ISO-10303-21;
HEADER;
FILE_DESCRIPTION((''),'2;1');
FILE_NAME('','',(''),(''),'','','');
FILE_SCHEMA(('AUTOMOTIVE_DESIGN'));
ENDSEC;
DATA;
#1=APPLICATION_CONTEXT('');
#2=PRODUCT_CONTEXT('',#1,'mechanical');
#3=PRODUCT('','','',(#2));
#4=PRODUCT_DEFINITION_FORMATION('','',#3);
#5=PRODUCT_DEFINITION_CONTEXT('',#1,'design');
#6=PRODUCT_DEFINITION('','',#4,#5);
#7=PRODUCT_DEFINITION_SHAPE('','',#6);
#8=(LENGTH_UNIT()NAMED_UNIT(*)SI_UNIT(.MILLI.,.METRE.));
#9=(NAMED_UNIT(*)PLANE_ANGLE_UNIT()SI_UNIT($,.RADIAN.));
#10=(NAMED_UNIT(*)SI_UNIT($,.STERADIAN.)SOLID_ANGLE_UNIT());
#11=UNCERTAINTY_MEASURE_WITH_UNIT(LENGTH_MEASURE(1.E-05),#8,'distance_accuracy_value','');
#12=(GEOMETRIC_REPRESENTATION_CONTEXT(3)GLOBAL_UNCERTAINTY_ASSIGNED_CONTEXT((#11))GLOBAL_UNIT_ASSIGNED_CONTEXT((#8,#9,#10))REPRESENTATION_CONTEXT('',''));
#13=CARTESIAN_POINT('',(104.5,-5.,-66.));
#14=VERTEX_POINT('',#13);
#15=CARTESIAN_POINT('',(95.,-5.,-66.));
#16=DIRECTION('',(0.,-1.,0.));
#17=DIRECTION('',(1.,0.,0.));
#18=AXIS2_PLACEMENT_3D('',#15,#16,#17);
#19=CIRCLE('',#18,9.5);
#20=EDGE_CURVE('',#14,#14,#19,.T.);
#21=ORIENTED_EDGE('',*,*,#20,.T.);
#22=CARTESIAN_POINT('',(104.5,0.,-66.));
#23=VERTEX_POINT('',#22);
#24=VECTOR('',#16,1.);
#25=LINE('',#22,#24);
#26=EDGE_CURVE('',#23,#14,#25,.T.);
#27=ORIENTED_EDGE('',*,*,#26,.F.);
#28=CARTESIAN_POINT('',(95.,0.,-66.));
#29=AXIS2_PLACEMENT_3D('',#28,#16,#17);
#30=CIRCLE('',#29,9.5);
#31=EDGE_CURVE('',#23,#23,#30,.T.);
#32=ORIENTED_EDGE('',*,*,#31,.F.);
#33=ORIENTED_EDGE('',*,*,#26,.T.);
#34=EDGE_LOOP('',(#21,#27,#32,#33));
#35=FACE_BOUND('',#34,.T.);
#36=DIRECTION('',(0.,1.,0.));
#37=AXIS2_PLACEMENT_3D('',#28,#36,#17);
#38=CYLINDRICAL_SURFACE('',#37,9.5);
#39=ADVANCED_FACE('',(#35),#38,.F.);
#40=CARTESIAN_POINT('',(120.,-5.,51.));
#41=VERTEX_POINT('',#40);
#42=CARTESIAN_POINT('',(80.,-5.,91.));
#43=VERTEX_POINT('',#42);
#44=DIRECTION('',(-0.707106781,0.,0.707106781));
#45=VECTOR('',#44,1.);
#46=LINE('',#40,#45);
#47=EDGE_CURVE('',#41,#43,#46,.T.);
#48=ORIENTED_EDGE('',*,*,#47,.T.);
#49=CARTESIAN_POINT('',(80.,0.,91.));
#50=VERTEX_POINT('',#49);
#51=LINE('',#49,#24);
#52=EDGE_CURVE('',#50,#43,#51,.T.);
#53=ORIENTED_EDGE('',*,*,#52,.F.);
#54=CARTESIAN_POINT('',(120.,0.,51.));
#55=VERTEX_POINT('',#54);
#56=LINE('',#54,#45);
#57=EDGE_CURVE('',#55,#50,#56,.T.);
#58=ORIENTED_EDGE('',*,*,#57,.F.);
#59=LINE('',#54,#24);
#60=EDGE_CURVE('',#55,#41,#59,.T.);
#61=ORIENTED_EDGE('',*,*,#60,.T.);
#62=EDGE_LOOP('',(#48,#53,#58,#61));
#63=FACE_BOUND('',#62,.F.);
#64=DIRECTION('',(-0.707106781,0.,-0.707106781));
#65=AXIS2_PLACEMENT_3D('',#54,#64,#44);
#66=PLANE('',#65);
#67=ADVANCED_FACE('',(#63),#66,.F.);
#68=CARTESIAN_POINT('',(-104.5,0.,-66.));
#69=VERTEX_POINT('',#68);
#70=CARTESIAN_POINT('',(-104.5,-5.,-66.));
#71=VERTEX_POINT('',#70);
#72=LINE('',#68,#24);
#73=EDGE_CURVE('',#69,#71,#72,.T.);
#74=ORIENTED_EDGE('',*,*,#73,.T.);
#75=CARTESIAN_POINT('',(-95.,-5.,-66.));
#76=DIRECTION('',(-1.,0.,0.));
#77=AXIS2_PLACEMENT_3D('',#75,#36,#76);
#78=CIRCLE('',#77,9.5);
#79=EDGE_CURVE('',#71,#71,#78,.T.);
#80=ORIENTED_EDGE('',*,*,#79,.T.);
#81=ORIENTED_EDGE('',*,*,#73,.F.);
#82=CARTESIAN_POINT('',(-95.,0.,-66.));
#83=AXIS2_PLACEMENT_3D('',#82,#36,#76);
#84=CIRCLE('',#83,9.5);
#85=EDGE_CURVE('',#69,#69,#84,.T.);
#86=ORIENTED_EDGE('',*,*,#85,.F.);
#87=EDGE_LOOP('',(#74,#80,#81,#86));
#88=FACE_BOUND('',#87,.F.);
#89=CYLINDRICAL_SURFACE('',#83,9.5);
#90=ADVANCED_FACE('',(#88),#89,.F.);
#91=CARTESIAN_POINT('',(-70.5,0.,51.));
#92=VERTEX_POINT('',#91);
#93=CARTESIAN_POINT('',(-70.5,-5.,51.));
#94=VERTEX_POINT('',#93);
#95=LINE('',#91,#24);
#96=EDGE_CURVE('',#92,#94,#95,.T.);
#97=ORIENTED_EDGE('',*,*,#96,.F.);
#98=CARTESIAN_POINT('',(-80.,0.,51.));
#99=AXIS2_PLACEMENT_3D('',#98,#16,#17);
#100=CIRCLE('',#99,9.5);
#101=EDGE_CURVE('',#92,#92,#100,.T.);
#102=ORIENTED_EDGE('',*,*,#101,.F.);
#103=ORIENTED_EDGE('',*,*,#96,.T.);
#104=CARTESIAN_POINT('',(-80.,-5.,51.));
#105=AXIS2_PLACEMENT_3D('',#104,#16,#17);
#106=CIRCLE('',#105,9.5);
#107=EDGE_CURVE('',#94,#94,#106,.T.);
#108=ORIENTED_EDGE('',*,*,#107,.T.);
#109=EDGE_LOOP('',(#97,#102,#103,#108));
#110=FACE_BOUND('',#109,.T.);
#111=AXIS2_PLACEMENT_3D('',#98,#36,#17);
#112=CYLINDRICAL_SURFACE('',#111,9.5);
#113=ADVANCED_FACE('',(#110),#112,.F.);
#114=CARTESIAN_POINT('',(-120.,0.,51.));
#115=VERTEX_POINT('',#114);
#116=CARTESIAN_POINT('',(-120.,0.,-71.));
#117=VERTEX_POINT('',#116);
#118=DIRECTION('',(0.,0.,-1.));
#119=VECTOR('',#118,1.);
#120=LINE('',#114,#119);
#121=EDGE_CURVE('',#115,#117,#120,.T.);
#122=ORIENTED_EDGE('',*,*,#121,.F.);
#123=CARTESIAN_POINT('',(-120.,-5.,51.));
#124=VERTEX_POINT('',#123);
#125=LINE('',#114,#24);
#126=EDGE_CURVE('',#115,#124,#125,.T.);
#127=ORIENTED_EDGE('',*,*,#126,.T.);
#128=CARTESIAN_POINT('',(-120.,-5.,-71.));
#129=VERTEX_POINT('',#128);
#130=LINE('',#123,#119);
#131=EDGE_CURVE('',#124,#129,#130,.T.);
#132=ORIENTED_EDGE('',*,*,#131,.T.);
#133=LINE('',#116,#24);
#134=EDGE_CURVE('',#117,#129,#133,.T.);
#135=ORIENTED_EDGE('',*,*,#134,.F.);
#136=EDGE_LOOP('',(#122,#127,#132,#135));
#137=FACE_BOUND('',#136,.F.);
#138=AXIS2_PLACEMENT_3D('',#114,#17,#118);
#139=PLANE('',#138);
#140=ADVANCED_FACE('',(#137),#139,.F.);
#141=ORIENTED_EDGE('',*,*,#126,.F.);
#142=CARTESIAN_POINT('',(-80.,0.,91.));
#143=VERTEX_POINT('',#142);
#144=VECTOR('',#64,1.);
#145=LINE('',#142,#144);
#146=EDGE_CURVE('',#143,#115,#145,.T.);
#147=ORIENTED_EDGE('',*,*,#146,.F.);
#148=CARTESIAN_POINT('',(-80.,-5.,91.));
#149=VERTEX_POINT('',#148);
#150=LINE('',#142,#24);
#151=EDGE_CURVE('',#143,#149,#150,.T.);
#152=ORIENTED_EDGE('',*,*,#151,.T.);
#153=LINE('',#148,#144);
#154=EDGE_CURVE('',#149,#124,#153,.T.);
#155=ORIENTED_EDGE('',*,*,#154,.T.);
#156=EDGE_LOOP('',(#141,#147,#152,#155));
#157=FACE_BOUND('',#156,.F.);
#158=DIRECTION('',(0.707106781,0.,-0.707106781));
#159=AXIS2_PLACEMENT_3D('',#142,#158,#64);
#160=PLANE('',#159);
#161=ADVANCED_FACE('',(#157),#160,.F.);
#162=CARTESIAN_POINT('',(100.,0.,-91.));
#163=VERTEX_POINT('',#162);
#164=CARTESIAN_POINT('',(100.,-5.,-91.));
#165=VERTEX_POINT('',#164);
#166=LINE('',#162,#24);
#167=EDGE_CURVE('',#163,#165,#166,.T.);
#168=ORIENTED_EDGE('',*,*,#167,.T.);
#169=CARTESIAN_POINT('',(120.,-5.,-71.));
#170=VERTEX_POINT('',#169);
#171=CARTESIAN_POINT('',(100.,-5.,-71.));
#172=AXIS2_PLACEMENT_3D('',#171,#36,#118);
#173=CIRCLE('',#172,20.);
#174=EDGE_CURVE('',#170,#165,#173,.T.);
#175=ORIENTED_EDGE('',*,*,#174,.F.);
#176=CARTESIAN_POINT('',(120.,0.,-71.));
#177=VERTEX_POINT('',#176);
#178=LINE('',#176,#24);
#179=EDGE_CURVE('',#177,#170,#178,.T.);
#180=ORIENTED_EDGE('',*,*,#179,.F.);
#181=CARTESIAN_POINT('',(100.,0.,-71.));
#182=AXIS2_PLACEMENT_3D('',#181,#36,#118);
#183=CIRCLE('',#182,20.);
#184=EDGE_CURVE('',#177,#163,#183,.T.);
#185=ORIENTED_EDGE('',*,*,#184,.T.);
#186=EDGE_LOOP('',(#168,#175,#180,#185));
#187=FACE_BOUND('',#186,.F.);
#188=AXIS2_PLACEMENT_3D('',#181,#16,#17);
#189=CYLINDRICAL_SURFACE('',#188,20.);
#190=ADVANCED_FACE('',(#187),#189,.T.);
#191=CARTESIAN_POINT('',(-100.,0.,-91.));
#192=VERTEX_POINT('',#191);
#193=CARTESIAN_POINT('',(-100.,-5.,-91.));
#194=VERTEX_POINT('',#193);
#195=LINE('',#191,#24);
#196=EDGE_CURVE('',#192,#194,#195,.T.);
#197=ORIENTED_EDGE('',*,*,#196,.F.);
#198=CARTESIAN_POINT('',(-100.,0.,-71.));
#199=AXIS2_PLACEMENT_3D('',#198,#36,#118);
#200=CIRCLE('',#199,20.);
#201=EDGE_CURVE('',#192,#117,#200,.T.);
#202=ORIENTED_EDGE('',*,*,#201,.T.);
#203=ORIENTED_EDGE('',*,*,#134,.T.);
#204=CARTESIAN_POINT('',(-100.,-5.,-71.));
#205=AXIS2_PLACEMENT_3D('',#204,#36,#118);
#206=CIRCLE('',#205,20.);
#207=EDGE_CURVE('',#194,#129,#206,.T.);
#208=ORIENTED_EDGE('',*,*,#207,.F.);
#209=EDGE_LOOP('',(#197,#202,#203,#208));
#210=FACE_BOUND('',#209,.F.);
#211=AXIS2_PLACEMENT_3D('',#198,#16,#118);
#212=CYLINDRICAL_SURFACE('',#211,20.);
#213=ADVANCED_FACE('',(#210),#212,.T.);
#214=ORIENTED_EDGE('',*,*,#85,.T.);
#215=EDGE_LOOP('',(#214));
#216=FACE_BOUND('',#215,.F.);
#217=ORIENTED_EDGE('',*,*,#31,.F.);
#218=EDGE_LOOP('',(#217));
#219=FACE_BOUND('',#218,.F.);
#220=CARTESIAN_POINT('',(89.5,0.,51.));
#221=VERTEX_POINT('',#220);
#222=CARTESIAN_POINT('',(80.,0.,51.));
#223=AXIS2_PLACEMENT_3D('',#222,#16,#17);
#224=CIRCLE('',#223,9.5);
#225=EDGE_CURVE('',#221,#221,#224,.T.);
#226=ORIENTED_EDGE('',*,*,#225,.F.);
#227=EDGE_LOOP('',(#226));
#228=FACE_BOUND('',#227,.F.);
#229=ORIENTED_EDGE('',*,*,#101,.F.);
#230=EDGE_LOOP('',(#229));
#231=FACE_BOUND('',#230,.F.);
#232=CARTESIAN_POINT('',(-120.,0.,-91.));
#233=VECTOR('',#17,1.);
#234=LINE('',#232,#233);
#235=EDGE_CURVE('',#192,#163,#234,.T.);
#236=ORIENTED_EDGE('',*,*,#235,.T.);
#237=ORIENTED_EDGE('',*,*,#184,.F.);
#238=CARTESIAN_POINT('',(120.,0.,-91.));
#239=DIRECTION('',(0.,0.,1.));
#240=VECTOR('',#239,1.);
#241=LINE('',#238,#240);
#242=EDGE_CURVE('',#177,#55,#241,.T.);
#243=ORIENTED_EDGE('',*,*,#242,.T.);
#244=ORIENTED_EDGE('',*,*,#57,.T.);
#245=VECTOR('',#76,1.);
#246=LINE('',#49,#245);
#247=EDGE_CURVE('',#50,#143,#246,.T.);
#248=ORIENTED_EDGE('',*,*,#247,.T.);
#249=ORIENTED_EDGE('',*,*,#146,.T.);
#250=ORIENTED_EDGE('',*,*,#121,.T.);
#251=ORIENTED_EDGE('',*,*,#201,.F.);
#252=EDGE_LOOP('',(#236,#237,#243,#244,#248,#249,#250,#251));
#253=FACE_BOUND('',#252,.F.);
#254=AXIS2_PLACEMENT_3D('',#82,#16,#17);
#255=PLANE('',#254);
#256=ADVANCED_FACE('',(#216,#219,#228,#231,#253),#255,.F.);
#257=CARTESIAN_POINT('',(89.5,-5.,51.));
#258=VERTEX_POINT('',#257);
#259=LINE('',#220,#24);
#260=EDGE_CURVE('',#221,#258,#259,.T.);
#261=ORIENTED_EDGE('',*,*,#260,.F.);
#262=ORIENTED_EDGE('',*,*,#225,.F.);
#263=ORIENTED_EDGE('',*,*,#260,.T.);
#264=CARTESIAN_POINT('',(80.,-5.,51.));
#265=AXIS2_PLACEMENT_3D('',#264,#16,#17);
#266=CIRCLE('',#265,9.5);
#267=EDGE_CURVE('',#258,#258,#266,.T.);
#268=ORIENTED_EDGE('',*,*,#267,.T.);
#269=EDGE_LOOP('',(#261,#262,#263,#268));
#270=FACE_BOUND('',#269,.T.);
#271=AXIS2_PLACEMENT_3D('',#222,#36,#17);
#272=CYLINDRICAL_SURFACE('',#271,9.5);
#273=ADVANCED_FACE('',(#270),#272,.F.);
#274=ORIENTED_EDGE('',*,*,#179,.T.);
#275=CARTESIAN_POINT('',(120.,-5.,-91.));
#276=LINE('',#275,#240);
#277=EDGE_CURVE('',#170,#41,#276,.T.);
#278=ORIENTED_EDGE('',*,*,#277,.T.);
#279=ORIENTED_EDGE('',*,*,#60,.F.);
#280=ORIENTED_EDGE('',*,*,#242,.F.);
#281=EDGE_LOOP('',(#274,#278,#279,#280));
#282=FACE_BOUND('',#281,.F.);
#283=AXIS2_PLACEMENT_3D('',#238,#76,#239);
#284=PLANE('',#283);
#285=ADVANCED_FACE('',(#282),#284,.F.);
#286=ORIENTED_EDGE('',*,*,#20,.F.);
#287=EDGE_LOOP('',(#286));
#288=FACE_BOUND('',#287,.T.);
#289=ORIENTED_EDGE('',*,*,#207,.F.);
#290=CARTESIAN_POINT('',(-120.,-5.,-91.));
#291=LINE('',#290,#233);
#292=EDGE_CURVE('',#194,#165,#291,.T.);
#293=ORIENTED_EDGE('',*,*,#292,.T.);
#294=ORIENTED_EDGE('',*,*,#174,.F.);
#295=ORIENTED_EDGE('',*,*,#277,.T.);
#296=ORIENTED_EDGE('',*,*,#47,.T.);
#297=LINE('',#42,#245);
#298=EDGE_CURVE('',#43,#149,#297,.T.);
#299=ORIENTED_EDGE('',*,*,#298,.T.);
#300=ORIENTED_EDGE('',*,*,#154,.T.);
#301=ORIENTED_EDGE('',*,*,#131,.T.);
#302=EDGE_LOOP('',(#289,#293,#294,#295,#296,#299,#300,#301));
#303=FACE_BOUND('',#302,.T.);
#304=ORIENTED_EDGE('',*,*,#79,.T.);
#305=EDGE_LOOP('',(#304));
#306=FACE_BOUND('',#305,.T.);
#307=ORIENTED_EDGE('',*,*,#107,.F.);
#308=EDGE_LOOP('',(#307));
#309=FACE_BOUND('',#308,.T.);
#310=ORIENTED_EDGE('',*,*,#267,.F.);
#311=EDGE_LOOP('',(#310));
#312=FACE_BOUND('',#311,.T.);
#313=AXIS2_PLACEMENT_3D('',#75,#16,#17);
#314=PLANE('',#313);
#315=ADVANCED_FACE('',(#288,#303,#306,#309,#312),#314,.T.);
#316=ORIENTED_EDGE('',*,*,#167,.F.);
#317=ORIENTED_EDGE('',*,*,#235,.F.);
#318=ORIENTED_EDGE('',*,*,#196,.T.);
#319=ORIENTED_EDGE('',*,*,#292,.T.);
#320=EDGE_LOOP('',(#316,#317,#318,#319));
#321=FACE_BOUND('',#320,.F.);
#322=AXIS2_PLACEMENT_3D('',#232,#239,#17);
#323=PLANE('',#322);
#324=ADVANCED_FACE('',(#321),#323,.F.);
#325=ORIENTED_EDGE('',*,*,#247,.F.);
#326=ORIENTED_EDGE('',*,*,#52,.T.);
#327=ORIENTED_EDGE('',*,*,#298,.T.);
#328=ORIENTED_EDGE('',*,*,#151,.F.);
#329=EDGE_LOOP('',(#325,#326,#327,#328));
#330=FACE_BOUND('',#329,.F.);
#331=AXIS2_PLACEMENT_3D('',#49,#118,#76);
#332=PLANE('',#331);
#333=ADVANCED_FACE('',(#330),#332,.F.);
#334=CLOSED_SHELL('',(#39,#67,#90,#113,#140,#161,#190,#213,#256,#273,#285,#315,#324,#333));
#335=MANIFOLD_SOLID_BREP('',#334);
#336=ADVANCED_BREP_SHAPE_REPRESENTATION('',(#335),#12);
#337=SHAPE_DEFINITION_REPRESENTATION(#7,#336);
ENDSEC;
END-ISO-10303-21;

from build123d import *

# Parameters (mm, degrees)
F0_R     = 9.5
F1_DEPTH = 5
F2_R     = 20


with BuildPart() as f1:
    # F0 (on Front) → F1 (new body)
    with BuildSketch(Plane.XZ):
        with BuildLine():
            ThreePointArc((-85.5, -66), (-95, -56.5), (-104.5, -66))
            ThreePointArc((-104.5, -66), (-95, -75.5), (-85.5, -66))
        make_face()
        with Locations((95, -66)):
            Circle(F0_R)
        Polygon((120, 51), (80, 91), (-80, 91), (-120, 51), (-120, -66), (-120, -91), (120, -91), (120, -66), align=None)
        with BuildLine():
            ThreePointArc((-85.5, -66), (-95, -75.5), (-104.5, -66))
            ThreePointArc((-104.5, -66), (-95, -56.5), (-85.5, -66))
        make_face(mode=Mode.SUBTRACT)
        with Locations((95, -66)):
            Circle(F0_R, mode=Mode.SUBTRACT)
        with Locations((-80, 51)):
            Circle(F0_R, mode=Mode.SUBTRACT)
        with Locations((80, 51)):
            Circle(F0_R, mode=Mode.SUBTRACT)
    extrude(amount=F1_DEPTH)

    # F2
    f2_edges = [f1.edges().sort_by_distance(p)[0] for p in [
        (-120, -2.5, -91),
        (120, -2.5, -91),
    ]]
    fillet(f2_edges, radius=F2_R)


solid = f1.part
